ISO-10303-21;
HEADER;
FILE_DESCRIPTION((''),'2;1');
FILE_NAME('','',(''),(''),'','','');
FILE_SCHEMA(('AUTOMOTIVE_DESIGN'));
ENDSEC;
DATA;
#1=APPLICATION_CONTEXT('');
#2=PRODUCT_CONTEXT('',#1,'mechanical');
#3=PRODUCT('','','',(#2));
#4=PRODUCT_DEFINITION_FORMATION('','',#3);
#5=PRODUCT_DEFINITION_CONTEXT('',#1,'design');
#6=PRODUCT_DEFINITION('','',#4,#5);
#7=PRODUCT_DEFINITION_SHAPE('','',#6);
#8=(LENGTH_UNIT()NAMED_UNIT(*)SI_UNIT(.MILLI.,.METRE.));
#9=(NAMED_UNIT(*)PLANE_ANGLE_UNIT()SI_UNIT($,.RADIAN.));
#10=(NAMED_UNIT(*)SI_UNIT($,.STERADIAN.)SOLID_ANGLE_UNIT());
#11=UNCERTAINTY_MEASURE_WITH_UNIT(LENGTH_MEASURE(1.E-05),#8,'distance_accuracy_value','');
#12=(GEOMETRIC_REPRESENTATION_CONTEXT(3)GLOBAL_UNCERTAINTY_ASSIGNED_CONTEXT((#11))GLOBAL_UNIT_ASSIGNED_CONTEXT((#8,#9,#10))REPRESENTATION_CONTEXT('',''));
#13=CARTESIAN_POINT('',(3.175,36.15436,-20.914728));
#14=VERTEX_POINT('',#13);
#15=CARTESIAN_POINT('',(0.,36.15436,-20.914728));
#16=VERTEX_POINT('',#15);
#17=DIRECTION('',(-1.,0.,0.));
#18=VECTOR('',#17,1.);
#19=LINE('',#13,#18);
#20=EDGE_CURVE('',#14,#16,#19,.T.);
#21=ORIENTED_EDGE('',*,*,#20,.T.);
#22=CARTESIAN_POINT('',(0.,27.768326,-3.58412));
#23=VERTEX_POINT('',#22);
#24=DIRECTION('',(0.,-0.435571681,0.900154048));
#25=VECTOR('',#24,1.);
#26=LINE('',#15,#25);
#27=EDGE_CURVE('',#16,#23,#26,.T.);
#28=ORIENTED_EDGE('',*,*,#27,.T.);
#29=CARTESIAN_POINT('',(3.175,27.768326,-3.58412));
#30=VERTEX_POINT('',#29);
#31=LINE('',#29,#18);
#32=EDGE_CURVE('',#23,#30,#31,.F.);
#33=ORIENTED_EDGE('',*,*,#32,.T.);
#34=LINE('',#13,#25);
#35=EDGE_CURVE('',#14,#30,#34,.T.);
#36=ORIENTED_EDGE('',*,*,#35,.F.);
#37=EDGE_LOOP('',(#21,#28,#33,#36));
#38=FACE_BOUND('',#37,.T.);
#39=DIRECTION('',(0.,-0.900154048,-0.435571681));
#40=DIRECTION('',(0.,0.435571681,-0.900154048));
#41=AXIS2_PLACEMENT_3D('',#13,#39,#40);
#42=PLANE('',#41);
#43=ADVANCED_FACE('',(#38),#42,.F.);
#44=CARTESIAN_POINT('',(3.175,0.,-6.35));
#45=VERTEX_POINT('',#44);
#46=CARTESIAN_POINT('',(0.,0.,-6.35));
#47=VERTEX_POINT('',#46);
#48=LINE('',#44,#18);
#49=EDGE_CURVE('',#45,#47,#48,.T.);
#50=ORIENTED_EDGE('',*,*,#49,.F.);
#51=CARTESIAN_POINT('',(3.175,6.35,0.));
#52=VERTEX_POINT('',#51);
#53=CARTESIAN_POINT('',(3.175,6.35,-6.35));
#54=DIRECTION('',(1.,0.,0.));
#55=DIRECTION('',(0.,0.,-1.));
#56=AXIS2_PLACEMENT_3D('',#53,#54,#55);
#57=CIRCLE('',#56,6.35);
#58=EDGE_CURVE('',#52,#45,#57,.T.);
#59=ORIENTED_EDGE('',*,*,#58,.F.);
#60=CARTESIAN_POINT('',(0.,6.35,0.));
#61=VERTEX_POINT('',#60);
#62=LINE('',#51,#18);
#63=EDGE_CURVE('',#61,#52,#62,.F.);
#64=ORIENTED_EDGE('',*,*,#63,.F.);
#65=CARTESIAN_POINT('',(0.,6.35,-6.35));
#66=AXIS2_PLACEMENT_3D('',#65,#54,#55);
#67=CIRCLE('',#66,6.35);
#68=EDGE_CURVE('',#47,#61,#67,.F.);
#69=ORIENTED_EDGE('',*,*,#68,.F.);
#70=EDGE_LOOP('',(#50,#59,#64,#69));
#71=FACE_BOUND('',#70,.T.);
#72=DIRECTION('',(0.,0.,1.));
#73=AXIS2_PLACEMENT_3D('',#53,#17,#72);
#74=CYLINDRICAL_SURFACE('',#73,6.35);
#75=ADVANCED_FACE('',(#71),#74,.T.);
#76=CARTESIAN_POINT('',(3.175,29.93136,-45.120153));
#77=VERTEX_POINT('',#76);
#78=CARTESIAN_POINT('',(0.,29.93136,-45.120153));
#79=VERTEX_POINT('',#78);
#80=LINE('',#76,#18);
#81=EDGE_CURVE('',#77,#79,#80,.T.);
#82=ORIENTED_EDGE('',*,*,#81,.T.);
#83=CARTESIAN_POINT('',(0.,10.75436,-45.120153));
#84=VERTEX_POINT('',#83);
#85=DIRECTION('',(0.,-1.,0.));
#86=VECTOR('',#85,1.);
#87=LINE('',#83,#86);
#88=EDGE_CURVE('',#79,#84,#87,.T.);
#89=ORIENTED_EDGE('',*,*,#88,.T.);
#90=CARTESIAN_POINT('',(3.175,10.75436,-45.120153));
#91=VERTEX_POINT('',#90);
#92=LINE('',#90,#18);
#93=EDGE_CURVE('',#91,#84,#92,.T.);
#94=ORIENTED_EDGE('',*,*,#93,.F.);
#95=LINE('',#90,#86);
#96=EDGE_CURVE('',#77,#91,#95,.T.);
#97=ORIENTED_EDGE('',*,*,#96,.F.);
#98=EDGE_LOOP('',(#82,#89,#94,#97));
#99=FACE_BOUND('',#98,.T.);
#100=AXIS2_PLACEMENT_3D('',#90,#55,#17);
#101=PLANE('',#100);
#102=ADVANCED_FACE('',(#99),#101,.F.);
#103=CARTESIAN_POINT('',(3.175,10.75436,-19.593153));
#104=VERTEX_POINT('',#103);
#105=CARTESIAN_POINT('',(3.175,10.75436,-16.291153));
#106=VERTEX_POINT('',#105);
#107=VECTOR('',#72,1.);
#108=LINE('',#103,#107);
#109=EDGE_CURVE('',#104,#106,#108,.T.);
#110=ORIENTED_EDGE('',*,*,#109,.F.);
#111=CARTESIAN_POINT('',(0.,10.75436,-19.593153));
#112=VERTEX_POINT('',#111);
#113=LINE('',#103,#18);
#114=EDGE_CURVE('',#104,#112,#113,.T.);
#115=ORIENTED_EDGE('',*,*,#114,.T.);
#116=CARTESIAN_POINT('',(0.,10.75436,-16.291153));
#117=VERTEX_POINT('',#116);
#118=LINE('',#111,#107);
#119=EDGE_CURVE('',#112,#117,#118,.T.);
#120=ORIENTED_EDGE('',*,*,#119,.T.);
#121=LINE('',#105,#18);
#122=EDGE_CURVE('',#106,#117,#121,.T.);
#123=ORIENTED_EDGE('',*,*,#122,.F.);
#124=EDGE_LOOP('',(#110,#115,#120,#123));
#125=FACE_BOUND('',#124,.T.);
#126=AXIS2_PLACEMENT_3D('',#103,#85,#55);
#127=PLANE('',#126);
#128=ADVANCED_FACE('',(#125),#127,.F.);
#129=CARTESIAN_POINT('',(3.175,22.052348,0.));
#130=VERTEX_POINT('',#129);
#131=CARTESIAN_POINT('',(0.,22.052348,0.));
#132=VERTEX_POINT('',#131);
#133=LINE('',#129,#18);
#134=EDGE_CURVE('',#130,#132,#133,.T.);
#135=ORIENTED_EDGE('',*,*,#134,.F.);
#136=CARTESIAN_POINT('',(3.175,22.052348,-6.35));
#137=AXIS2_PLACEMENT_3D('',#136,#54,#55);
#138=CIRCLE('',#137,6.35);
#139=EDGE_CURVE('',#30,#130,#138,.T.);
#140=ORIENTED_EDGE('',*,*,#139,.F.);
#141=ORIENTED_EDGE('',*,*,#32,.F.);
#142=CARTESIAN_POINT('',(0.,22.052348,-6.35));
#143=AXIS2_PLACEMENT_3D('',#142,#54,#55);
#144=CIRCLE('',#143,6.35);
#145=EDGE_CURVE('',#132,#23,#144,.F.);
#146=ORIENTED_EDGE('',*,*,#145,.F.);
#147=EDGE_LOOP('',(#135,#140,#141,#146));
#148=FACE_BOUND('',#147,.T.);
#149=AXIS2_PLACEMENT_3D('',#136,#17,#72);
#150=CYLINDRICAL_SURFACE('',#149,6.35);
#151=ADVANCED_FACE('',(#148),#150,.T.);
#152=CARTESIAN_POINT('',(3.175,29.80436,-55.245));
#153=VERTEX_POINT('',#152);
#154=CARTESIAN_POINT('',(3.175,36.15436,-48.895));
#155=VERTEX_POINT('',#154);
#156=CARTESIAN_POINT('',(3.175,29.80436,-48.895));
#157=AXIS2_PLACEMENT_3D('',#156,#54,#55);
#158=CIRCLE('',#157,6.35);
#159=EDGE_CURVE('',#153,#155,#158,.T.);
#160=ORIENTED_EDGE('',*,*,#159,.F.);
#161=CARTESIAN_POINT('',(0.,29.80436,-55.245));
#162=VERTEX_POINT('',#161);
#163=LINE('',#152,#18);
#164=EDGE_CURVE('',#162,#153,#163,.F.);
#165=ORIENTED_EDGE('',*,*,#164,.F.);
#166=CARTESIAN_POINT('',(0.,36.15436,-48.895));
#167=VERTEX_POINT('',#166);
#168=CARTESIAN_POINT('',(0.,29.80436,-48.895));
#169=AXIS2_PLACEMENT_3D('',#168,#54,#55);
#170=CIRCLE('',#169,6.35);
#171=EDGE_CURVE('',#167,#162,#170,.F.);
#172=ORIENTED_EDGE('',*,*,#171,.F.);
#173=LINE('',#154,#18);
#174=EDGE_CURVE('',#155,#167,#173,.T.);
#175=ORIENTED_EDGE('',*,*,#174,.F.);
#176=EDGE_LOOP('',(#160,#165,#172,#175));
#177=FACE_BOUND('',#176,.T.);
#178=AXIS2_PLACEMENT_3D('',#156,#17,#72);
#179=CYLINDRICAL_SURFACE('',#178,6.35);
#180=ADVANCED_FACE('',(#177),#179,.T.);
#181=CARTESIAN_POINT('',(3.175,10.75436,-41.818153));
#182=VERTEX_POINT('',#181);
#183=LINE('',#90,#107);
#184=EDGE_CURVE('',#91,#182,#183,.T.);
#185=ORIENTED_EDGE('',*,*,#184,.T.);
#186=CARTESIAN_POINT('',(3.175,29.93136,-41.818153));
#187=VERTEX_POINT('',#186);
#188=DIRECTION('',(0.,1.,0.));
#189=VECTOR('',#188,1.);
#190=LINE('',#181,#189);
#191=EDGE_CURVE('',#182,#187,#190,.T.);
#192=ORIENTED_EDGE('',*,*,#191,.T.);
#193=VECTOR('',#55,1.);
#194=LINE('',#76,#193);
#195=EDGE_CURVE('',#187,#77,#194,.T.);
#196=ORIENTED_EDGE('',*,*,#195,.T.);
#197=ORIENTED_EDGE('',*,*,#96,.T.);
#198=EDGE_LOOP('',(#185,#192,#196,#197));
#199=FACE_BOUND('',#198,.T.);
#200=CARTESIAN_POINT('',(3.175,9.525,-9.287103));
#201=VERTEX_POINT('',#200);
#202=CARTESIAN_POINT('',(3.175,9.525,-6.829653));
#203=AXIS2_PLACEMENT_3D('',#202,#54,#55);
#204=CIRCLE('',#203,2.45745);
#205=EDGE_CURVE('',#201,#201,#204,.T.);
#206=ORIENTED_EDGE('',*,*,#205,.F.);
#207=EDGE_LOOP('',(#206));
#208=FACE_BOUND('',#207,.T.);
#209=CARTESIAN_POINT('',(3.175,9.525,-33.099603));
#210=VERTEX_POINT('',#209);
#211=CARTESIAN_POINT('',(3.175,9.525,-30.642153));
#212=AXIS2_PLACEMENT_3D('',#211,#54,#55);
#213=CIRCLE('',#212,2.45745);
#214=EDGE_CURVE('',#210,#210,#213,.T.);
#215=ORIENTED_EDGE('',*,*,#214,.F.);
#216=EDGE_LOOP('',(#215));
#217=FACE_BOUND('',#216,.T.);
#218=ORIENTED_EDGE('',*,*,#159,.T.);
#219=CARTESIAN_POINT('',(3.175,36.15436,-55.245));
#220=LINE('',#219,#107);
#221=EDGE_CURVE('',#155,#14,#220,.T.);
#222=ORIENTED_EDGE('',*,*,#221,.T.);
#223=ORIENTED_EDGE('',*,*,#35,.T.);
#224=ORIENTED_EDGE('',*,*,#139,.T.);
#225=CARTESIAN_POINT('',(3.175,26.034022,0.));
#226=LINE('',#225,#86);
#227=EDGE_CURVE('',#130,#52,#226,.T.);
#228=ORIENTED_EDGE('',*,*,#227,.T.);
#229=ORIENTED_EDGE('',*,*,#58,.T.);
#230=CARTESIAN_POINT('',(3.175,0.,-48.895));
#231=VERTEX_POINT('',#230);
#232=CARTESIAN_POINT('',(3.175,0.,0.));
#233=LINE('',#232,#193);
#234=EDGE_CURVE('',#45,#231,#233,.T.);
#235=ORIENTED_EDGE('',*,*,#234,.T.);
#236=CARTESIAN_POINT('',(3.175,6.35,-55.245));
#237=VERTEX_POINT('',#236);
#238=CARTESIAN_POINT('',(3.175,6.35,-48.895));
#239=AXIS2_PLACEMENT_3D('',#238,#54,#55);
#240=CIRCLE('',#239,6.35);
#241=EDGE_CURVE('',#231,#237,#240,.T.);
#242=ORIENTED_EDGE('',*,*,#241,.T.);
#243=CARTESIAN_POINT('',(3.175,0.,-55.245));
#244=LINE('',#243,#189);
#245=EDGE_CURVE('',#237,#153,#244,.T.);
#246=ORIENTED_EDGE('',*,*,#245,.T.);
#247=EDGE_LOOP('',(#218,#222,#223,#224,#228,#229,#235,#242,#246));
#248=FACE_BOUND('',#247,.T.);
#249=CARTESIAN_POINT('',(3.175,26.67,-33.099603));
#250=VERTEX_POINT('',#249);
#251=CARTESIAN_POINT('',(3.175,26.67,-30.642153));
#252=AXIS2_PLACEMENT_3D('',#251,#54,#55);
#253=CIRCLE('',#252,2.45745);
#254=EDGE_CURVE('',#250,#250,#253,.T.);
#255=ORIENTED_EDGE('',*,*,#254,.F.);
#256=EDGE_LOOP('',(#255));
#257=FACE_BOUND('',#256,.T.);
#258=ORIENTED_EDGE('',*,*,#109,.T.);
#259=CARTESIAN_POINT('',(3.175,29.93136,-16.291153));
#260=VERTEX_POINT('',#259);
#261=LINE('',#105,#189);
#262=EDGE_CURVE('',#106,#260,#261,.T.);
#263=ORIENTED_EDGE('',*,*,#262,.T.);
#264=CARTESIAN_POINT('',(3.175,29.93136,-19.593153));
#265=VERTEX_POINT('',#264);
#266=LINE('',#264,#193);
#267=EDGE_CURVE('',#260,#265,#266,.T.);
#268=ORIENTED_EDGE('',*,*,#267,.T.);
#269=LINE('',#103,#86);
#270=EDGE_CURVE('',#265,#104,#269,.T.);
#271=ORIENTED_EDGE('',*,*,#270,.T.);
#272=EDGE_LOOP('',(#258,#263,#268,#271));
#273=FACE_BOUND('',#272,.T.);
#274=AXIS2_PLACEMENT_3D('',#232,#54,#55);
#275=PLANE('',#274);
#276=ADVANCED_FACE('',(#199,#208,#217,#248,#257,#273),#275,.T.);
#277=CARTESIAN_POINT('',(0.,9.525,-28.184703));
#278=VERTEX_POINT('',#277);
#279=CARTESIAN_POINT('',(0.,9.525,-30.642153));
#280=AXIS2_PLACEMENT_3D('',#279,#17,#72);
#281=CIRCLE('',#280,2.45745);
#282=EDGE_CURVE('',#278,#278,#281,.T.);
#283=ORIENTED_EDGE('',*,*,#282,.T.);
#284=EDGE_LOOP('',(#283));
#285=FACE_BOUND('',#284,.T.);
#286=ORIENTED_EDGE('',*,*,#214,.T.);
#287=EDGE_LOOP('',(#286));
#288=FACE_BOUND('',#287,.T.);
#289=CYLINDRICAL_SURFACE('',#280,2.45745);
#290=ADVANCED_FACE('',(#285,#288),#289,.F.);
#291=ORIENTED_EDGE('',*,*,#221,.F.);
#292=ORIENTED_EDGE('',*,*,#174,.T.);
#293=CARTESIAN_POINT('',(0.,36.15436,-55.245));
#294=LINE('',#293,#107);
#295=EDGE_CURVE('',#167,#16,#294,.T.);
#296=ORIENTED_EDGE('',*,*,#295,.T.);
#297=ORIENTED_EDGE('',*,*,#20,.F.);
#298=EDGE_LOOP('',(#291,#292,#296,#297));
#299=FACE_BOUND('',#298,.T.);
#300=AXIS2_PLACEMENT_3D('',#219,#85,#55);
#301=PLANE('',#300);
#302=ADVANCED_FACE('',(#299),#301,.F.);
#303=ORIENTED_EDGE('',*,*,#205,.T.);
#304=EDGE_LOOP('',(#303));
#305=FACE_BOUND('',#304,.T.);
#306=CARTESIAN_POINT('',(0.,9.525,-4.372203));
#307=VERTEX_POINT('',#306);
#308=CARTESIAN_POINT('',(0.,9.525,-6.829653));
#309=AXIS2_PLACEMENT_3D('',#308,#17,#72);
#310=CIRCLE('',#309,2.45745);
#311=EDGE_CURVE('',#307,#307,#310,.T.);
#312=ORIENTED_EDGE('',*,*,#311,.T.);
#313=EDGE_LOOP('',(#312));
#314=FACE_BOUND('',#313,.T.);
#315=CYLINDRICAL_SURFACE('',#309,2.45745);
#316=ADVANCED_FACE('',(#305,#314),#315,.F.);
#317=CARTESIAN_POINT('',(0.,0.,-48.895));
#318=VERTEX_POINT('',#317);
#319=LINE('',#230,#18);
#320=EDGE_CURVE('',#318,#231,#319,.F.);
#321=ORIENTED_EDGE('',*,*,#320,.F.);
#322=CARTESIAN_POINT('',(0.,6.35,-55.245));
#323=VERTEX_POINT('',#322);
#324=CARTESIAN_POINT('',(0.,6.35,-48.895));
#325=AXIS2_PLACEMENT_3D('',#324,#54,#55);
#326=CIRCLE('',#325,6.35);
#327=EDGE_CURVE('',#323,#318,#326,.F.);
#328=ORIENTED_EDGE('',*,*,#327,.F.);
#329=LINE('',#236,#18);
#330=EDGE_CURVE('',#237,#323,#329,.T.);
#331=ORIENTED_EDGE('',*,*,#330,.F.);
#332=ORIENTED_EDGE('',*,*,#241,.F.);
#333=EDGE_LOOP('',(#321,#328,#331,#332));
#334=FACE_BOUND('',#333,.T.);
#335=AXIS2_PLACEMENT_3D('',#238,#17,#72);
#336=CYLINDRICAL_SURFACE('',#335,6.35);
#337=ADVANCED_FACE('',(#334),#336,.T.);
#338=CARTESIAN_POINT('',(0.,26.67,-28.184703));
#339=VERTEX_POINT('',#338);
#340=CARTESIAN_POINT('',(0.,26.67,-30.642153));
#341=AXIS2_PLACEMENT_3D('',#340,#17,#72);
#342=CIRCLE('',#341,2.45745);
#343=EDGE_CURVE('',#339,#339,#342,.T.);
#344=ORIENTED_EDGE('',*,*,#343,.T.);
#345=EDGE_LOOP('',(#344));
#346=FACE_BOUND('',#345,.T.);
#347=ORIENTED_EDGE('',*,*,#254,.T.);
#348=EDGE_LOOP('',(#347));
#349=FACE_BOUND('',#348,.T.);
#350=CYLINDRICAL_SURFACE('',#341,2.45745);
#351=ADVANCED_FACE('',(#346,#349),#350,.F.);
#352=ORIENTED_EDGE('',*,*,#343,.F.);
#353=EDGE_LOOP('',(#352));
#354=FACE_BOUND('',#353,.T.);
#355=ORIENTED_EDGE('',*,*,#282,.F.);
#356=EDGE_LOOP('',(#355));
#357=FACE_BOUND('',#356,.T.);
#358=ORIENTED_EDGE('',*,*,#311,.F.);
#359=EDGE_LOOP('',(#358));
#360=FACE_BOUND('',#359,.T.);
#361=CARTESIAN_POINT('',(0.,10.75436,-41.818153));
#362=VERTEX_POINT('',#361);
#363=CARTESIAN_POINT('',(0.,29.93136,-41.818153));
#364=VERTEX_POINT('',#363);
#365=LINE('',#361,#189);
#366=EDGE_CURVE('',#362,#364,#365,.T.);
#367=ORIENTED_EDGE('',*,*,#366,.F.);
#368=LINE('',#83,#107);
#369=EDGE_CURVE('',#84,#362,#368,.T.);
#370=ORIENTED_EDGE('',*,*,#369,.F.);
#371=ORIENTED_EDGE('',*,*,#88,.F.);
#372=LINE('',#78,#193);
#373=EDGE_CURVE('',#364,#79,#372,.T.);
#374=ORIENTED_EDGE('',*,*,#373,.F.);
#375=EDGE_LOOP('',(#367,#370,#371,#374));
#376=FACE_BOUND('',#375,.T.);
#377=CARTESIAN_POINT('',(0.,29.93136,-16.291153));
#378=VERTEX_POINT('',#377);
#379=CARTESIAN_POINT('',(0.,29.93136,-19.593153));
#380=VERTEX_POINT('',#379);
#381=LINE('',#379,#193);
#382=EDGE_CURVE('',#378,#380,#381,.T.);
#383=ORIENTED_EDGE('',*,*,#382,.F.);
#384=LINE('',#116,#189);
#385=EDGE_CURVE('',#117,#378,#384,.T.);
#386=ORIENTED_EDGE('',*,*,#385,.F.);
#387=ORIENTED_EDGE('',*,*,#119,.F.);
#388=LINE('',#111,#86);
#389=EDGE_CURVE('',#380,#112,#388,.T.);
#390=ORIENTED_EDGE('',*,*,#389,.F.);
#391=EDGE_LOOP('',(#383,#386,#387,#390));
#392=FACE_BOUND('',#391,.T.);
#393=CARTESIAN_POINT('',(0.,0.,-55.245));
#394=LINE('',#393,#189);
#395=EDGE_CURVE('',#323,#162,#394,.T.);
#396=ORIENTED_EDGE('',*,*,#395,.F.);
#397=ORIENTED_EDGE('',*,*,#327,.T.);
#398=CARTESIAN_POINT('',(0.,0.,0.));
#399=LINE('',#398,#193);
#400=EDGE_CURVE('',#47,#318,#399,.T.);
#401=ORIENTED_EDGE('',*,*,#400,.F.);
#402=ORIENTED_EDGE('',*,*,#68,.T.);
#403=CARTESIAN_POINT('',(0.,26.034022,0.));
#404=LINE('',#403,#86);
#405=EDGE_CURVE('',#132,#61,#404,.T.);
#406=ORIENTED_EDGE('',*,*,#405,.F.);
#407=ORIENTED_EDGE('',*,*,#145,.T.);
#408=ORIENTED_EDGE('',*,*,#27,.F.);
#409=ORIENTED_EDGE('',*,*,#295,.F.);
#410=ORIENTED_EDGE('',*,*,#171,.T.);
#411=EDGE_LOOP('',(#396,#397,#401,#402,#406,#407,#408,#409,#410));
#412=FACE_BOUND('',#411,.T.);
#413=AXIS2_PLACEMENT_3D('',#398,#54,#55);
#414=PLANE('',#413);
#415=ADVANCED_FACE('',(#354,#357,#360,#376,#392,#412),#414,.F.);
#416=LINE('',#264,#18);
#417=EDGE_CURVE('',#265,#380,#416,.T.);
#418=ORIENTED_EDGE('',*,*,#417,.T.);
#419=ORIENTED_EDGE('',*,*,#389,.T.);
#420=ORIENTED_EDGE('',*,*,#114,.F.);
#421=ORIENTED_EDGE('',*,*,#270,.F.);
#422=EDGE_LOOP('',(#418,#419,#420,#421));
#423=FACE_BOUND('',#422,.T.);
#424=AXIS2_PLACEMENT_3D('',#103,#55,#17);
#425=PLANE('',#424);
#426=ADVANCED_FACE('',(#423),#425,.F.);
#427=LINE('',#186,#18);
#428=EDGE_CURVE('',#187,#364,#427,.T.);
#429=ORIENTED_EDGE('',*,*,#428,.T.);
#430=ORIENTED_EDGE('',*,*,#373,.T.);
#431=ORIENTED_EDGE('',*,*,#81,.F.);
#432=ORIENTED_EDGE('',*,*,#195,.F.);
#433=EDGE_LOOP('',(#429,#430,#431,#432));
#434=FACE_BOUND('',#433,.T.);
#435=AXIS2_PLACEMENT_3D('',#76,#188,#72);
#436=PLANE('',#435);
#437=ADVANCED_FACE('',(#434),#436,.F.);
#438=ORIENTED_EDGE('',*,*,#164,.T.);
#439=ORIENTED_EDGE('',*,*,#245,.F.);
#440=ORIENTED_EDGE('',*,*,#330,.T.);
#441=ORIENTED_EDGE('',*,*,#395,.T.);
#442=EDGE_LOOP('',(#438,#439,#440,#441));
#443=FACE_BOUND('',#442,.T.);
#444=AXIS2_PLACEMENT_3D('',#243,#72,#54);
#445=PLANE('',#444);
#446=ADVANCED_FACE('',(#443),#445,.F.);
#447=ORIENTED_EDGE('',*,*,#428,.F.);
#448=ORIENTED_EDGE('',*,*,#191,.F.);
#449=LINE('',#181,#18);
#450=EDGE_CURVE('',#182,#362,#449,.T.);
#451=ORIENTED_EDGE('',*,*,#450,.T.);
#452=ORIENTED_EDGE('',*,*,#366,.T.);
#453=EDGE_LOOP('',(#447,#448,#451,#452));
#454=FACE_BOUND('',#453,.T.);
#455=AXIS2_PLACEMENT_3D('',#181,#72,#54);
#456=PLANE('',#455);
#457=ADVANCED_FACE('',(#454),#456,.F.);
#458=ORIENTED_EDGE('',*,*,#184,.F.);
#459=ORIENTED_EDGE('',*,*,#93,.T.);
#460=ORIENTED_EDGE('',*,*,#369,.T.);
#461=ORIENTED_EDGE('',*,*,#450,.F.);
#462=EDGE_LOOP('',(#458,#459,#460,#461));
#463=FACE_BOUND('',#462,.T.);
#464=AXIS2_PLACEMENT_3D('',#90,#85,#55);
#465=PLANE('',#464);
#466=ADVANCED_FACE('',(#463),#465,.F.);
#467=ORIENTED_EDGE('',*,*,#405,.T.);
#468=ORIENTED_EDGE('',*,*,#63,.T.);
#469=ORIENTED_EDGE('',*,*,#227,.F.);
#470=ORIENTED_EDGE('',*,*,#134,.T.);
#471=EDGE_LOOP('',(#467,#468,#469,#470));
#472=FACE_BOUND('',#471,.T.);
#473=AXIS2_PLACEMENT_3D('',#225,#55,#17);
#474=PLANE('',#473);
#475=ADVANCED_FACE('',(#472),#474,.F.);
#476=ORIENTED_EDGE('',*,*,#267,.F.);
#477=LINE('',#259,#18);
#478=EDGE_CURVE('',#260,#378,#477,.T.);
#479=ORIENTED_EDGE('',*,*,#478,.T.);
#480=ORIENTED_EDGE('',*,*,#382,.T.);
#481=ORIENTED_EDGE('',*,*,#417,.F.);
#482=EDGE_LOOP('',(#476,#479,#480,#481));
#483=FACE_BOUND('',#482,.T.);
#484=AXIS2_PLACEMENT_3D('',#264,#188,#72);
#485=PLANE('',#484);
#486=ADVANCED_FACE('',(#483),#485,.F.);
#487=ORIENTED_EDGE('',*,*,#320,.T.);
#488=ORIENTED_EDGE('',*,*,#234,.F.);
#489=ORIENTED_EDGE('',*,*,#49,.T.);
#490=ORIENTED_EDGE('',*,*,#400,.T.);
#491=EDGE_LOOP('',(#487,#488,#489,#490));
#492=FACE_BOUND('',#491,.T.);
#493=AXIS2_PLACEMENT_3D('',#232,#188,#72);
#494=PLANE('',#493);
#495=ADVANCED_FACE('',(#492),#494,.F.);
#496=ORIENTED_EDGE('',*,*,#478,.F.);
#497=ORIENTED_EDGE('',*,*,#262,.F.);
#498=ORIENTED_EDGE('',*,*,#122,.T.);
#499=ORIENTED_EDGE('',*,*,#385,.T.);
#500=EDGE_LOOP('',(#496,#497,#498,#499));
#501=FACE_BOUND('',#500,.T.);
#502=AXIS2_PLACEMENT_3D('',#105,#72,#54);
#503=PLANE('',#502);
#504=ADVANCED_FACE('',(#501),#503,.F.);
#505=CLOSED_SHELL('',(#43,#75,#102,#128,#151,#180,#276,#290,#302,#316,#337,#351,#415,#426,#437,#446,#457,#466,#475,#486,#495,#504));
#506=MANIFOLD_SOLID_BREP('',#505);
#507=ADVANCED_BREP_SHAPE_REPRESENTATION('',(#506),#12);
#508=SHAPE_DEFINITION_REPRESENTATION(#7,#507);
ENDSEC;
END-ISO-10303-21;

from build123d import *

# Parameters (mm, degrees)
BOSS_EXTRUDE1_DEPTH              = 3.175
SKETCH7_W                        = 3.302
SKETCH7_H                        = 19.177
CUT_EXTRUDE1_DEPTH               = 3.175
FILLET1_R                        = 6.35
F_10_0_1935_DIAMETER_HOLE2_D     = 4.9149
F_10_0_1935_DIAMETER_HOLE2_DEPTH = 9.699415072
F_10_0_1935_DIAMETER_HOLE2_TIP   = 1.476584928


with BuildPart() as part:
    # Sketch1 → Boss-Extrude1 (new body)
    with BuildSketch(Plane(origin=(0, 0, 0), x_dir=(0, 0, -1), z_dir=(1, 0, 0))):
        Polygon((55.245, 0), (55.245, 36.15436), (20.9147283, 36.15436), (0, 26.034021846), (0, 0), align=None)
    extrude(amount=BOSS_EXTRUDE1_DEPTH)

    # Sketch7 → Cut-Extrude1 (cut)
    with BuildSketch(Plane.ZY):
        with Locations((-43.469153092, 20.34286)):
            Rectangle(SKETCH7_W, SKETCH7_H)
        with Locations((-17.942153092, 20.34286)):
            Rectangle(SKETCH7_W, SKETCH7_H)
    extrude(amount=-CUT_EXTRUDE1_DEPTH, mode=Mode.SUBTRACT)

    # Fillet1
    fillet1_edges = [part.edges().sort_by_distance(p)[0] for p in [
        (1.5875, 0, 0),
        (1.5875, 26.034021846, 0),
        (1.5875, 36.15436, -55.245),
        (1.5875, 0, -55.245),
    ]]
    fillet(fillet1_edges, radius=FILLET1_R)

    # #10 (0.1935) Diameter Hole2
    with Locations(Plane.ZY):
        with Locations((-30.642153092, 9.525), (-30.642153092, 26.67), (-6.829653092, 9.525)):
            Hole(F_10_0_1935_DIAMETER_HOLE2_D / 2, depth=F_10_0_1935_DIAMETER_HOLE2_DEPTH)
            with Locations((0, 0, -(F_10_0_1935_DIAMETER_HOLE2_DEPTH + F_10_0_1935_DIAMETER_HOLE2_TIP / 2))):  # 118° drill point
                Cone(0, F_10_0_1935_DIAMETER_HOLE2_D / 2, F_10_0_1935_DIAMETER_HOLE2_TIP, mode=Mode.SUBTRACT)


solid = part.part
